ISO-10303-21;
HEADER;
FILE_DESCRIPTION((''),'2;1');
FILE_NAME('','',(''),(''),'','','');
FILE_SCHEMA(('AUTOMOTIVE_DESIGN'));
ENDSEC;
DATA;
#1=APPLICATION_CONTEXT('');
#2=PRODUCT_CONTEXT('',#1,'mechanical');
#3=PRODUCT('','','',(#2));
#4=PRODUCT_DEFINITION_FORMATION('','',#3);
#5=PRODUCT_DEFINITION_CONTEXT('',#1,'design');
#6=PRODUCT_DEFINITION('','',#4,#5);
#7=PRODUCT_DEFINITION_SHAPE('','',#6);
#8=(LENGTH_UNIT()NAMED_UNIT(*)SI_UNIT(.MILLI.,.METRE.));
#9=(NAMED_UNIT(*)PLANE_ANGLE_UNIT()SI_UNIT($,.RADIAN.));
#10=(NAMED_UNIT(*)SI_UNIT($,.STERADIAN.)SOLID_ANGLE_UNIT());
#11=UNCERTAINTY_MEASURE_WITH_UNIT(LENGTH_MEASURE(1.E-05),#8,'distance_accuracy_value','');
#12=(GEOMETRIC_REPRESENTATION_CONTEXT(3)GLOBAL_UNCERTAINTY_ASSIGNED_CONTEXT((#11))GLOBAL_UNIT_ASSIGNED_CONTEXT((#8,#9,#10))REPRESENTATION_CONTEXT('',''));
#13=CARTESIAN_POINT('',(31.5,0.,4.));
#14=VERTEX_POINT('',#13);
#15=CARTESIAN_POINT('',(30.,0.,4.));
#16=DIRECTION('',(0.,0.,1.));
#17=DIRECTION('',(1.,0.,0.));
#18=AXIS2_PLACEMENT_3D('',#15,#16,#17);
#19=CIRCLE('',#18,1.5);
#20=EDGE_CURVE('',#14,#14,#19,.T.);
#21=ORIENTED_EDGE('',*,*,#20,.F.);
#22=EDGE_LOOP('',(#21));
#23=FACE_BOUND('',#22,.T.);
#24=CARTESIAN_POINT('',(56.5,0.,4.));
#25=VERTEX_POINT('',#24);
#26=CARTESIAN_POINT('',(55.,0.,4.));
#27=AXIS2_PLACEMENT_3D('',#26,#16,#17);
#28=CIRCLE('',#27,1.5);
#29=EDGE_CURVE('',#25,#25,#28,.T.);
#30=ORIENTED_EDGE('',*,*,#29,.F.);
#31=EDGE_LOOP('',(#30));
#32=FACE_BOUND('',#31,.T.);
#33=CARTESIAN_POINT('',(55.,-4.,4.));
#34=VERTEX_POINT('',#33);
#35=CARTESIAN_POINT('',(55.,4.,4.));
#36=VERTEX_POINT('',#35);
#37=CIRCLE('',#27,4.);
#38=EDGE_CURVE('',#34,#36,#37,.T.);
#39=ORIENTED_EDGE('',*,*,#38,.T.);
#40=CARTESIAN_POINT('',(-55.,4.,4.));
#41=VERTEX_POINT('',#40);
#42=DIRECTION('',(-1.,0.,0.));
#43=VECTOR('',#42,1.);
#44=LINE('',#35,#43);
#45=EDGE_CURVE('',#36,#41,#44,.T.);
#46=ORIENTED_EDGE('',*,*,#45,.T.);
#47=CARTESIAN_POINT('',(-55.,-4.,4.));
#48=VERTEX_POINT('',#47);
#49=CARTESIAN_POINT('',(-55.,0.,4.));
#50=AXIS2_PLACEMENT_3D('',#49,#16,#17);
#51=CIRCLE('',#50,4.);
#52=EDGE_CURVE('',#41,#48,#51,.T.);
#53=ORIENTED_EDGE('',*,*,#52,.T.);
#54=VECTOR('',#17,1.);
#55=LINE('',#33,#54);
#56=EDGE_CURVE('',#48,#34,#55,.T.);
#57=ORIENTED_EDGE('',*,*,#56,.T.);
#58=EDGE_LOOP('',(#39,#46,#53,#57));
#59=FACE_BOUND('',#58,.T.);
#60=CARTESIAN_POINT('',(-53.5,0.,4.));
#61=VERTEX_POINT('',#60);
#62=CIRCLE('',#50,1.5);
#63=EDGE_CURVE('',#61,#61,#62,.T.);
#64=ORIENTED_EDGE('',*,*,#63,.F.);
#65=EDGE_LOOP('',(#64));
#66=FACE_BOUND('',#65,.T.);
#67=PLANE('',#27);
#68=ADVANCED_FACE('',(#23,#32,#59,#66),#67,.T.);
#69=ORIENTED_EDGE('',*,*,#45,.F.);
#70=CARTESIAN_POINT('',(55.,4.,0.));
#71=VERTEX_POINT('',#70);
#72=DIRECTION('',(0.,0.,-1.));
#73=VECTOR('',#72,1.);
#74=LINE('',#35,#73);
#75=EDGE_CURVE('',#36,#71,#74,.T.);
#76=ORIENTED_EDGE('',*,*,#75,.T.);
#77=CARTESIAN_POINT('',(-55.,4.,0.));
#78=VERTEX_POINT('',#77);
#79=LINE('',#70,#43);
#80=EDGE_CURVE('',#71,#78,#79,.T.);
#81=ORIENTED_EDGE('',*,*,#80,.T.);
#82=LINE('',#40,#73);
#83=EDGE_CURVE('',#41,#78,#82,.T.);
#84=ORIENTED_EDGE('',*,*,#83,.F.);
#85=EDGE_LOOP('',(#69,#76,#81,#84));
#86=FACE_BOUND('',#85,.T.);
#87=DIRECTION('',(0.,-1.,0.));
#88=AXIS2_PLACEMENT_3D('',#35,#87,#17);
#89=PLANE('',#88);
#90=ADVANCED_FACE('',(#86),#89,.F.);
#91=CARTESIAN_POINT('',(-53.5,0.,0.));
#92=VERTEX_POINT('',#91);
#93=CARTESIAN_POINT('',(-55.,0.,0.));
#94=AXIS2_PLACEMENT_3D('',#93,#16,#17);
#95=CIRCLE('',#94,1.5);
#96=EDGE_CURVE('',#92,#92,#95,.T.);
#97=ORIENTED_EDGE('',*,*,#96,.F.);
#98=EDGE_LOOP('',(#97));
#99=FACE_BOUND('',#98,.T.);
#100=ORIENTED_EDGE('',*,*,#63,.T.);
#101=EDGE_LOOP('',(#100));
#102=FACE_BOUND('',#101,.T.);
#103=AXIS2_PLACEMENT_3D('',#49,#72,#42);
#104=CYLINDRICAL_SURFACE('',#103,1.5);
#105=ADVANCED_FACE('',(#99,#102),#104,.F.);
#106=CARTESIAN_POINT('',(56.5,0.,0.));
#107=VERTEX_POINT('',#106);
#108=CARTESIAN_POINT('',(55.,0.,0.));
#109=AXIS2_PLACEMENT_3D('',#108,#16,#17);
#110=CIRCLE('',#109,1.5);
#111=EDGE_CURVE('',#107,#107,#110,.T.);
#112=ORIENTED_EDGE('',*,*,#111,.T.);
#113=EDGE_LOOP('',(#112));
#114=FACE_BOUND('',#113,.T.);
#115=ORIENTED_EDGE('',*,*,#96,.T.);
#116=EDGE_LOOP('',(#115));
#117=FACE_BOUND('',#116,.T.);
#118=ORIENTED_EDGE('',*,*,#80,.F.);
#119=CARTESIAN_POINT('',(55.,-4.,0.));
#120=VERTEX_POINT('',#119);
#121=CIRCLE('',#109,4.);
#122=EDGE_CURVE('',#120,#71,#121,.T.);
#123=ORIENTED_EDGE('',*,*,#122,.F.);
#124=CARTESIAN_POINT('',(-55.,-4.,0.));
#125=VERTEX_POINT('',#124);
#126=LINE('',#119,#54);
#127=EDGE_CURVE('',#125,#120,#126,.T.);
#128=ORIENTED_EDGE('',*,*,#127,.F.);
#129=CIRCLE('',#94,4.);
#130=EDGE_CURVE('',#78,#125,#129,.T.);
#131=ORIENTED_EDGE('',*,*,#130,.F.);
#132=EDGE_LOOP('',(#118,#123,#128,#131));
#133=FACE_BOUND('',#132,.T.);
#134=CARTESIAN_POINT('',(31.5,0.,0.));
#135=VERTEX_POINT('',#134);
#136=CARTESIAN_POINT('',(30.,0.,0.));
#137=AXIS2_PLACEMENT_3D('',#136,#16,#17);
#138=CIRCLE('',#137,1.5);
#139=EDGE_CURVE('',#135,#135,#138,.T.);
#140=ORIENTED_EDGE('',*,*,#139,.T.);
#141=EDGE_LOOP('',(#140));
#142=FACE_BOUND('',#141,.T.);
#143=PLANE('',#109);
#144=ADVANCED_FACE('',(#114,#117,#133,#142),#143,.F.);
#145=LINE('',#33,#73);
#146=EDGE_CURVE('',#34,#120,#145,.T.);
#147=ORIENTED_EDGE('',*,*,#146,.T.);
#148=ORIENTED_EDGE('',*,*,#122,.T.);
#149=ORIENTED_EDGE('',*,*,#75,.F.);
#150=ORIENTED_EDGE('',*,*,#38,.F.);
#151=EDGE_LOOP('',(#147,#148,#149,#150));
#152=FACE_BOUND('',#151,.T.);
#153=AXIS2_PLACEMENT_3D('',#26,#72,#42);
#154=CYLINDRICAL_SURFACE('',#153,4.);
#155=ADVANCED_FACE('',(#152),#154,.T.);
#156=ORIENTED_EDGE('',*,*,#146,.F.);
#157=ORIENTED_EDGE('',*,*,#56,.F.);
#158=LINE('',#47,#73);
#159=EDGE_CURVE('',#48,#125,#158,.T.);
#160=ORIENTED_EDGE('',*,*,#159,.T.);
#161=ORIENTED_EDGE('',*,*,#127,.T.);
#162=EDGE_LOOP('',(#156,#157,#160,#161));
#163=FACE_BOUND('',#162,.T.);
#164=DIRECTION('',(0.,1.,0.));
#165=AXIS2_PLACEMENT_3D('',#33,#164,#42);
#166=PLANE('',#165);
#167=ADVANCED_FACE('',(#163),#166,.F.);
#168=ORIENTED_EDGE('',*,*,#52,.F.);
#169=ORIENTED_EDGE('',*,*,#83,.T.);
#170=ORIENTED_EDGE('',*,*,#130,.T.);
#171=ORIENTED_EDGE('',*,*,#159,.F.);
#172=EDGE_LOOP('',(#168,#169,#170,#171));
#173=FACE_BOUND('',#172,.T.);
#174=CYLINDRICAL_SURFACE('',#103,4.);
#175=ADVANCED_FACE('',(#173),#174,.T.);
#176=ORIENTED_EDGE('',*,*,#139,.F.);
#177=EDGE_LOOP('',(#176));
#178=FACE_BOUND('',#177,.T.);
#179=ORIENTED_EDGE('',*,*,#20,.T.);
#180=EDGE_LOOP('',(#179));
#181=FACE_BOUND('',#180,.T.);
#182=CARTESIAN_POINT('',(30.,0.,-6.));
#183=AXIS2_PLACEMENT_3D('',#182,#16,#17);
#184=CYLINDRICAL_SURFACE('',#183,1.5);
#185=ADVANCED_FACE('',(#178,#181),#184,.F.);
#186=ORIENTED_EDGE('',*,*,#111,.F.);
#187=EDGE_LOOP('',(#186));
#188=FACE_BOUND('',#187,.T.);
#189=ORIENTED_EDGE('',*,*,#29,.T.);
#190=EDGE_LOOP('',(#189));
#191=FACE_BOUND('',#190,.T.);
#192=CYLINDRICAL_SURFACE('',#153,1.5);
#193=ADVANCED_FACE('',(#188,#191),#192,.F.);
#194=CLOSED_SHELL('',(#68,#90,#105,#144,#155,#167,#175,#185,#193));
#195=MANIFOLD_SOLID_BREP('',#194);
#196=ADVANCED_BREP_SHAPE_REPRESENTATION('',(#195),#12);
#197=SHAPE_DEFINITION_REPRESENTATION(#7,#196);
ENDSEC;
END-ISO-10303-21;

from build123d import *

# Parameters (mm, degrees)
SKETCH1_R           = 1.5
BOSS_EXTRUDE1_DEPTH = 4
SKETCH2_R           = 1.5
CUT_EXTRUDE1_DEPTH  = 10


with BuildPart() as part:
    # Sketch1 → Boss-Extrude1 (new body)
    with BuildSketch(Plane.XY):
        with BuildLine():
            Line((55, -4), (-55, -4))
            ThreePointArc((-55, -4), (-59, 0), (-55, 4))
            Line((-55, 4), (55, 4))
            ThreePointArc((55, 4), (59, 0), (55, -4))
        make_face()
        with Locations((-55, 0)):
            Circle(SKETCH1_R, mode=Mode.SUBTRACT)
        with Locations((55, 0)):
            Circle(SKETCH1_R, mode=Mode.SUBTRACT)
    extrude(amount=BOSS_EXTRUDE1_DEPTH)

    # Sketch2 → Cut-Extrude1 (cut)
    with BuildSketch(Plane.XY.offset(4)):
        with Locations((30, 0)):
            Circle(SKETCH2_R)
    extrude(amount=-CUT_EXTRUDE1_DEPTH, mode=Mode.SUBTRACT)


solid = part.part
